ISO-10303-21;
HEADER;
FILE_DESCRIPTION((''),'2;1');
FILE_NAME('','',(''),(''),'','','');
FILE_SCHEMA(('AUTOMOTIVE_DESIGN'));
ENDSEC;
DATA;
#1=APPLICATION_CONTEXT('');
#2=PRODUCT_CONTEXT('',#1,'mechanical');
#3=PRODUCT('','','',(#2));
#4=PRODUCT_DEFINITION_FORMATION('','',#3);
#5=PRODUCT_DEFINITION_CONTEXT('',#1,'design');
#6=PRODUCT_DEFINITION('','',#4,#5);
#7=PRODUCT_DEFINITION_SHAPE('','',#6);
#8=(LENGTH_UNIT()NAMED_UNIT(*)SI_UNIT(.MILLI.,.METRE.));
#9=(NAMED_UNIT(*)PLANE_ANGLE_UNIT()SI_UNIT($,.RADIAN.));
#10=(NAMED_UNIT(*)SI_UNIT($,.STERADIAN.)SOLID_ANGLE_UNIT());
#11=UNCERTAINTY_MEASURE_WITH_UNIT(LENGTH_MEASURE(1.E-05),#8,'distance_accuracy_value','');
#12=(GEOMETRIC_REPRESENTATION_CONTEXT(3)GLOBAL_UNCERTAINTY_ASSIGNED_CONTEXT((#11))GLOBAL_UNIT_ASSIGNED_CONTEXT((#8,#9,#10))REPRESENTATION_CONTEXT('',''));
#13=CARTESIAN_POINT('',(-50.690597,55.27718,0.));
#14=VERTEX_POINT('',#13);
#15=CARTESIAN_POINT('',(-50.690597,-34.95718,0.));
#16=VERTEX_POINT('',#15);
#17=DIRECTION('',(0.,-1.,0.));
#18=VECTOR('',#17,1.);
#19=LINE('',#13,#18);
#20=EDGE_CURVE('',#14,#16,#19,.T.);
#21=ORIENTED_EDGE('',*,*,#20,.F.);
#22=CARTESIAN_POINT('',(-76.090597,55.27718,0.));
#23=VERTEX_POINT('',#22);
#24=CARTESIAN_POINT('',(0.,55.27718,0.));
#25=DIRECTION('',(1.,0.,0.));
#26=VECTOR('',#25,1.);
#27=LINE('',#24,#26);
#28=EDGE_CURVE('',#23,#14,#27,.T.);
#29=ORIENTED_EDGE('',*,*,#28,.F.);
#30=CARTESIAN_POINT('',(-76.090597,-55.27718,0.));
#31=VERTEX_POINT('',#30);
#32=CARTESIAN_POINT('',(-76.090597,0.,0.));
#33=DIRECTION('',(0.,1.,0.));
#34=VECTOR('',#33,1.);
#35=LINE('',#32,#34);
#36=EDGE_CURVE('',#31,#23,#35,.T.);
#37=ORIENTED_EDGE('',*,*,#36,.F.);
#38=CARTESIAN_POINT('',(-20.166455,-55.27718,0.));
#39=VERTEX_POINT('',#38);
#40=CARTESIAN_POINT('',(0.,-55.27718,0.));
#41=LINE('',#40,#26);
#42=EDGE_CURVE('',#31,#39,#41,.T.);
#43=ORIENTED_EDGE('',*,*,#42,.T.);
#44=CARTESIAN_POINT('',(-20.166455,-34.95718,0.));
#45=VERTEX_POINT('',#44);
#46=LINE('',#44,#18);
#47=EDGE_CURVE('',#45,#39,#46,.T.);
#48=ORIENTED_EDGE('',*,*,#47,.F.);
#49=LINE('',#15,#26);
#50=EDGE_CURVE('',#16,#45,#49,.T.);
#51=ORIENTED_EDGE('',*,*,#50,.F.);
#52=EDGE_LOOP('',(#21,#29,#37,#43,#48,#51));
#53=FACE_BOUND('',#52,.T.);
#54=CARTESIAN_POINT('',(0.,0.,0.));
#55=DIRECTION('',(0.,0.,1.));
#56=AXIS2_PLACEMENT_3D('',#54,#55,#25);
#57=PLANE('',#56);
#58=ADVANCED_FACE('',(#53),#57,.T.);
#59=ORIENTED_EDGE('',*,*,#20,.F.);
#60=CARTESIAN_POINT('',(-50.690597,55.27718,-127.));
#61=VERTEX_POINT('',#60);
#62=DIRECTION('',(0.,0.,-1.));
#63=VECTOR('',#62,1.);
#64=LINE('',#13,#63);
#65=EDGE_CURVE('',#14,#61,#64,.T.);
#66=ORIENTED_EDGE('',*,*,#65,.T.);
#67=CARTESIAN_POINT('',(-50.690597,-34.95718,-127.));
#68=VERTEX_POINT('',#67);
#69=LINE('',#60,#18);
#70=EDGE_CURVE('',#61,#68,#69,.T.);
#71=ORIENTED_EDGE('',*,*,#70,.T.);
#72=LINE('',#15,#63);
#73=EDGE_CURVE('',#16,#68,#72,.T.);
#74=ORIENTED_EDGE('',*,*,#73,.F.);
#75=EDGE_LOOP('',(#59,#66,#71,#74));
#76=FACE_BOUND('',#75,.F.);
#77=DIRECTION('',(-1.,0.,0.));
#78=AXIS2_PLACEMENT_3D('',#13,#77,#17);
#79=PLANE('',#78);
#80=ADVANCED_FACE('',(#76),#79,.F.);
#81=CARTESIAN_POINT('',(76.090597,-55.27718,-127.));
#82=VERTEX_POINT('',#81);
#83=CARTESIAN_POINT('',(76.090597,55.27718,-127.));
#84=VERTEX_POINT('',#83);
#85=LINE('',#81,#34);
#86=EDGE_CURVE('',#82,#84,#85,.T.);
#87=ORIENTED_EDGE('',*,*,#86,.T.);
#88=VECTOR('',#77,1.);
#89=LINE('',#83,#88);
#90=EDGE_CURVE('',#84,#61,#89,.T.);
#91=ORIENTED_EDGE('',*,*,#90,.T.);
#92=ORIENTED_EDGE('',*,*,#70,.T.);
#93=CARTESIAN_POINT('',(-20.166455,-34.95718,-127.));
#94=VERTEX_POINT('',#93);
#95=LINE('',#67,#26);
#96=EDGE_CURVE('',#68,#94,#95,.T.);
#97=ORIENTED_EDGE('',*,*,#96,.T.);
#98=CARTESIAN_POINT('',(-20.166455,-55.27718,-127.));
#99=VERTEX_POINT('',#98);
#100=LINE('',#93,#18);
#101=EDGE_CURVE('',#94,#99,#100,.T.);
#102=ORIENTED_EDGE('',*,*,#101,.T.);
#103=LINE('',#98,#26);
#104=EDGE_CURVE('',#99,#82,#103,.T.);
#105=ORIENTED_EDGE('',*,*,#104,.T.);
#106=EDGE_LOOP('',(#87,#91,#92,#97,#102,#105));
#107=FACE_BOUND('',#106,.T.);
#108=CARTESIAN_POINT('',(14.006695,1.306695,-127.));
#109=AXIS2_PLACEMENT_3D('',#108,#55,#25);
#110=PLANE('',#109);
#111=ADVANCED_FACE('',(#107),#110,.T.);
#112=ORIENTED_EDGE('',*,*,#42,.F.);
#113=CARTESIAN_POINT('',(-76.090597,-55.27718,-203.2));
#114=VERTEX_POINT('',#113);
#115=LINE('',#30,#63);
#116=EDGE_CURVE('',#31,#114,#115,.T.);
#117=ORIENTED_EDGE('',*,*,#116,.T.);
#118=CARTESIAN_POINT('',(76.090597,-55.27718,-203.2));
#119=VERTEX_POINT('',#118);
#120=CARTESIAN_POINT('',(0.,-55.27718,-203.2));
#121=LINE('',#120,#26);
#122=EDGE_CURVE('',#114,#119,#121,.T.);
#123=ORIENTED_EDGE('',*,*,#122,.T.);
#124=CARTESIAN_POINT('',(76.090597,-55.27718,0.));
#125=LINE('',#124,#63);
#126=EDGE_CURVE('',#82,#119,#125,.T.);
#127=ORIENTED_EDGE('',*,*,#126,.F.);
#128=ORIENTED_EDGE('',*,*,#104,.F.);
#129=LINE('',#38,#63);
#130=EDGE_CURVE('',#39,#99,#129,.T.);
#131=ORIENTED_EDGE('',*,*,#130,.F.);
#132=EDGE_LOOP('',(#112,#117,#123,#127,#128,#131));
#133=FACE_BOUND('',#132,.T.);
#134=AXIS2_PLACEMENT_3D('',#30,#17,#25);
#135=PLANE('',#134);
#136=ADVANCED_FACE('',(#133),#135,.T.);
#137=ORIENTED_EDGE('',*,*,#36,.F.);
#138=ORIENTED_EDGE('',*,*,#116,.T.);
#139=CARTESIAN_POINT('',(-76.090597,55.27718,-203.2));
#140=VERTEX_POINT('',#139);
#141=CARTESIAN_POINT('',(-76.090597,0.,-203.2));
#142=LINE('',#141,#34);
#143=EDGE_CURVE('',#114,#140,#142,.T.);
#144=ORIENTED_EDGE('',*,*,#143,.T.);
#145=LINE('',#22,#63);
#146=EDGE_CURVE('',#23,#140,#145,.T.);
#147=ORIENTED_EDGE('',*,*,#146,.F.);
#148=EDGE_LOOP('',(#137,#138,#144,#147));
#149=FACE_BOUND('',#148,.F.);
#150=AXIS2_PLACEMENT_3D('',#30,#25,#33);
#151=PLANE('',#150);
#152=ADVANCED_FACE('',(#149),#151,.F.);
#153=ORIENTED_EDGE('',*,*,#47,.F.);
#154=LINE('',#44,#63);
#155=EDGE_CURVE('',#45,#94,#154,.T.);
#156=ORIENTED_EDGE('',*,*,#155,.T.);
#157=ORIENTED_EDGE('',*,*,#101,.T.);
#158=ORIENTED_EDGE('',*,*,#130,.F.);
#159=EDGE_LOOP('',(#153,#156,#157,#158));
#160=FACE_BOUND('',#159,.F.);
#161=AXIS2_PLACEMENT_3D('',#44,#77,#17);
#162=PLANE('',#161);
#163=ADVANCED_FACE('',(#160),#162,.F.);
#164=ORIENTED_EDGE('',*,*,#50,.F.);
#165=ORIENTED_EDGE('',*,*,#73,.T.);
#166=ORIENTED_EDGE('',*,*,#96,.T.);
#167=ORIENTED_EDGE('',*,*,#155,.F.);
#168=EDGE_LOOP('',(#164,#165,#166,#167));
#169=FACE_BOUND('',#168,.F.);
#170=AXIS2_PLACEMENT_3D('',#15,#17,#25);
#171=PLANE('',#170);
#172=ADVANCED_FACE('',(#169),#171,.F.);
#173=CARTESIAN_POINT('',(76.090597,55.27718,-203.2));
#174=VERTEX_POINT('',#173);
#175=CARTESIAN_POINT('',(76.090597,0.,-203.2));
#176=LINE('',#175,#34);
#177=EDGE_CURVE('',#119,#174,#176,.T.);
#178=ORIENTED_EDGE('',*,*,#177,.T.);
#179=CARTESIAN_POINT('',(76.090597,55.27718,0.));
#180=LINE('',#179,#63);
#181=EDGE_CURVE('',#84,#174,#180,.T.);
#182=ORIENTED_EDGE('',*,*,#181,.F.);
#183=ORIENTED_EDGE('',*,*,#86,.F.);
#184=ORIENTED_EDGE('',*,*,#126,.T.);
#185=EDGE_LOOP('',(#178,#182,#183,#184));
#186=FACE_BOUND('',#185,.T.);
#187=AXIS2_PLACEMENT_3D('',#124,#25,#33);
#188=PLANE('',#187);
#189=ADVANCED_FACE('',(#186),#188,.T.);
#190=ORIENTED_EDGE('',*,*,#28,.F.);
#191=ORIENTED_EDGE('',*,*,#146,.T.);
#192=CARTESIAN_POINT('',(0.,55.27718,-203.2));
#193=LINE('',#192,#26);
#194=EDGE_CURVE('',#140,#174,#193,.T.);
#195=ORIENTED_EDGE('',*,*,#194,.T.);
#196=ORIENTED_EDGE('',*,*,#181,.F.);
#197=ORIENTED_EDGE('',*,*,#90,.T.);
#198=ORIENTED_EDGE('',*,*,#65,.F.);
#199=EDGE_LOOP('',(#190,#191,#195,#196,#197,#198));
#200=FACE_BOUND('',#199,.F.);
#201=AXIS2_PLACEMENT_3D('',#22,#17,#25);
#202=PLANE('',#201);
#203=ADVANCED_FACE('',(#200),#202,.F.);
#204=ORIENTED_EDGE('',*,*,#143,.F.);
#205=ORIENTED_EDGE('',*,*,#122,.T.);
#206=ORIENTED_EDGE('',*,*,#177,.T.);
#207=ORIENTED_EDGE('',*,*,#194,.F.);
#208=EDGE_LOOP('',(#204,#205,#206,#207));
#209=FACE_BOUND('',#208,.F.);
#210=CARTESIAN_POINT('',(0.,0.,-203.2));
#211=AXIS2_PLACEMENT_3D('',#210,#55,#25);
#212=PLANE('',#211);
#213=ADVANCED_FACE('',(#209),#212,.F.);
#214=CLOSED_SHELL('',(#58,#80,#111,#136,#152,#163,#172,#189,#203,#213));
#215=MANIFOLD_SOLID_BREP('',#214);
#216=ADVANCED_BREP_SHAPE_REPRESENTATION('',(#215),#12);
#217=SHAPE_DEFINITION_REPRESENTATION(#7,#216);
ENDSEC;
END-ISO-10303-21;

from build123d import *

# Parameters (mm, degrees)
F0_W     = 152.181194
F0_H     = 110.55436
F1_DEPTH = 203.2
F3_DEPTH = 127


with BuildPart() as f1:
    # F0 (on Top) → F1 (new body)
    with BuildSketch(Plane.XY):
        Rectangle(F0_W, F0_H)
    extrude(amount=-F1_DEPTH)

    # F2 (on face) → F3 (cut)
    with BuildSketch(Plane.XY):
        Polygon((-20.166455, -34.95718), (-20.166455, -55.27718), (76.090597, -55.27718), (76.090597, 55.27718), (-50.690597, 55.27718), (-50.690597, -34.95718), align=None)
    extrude(amount=-F3_DEPTH, mode=Mode.SUBTRACT)


solid = f1.part
